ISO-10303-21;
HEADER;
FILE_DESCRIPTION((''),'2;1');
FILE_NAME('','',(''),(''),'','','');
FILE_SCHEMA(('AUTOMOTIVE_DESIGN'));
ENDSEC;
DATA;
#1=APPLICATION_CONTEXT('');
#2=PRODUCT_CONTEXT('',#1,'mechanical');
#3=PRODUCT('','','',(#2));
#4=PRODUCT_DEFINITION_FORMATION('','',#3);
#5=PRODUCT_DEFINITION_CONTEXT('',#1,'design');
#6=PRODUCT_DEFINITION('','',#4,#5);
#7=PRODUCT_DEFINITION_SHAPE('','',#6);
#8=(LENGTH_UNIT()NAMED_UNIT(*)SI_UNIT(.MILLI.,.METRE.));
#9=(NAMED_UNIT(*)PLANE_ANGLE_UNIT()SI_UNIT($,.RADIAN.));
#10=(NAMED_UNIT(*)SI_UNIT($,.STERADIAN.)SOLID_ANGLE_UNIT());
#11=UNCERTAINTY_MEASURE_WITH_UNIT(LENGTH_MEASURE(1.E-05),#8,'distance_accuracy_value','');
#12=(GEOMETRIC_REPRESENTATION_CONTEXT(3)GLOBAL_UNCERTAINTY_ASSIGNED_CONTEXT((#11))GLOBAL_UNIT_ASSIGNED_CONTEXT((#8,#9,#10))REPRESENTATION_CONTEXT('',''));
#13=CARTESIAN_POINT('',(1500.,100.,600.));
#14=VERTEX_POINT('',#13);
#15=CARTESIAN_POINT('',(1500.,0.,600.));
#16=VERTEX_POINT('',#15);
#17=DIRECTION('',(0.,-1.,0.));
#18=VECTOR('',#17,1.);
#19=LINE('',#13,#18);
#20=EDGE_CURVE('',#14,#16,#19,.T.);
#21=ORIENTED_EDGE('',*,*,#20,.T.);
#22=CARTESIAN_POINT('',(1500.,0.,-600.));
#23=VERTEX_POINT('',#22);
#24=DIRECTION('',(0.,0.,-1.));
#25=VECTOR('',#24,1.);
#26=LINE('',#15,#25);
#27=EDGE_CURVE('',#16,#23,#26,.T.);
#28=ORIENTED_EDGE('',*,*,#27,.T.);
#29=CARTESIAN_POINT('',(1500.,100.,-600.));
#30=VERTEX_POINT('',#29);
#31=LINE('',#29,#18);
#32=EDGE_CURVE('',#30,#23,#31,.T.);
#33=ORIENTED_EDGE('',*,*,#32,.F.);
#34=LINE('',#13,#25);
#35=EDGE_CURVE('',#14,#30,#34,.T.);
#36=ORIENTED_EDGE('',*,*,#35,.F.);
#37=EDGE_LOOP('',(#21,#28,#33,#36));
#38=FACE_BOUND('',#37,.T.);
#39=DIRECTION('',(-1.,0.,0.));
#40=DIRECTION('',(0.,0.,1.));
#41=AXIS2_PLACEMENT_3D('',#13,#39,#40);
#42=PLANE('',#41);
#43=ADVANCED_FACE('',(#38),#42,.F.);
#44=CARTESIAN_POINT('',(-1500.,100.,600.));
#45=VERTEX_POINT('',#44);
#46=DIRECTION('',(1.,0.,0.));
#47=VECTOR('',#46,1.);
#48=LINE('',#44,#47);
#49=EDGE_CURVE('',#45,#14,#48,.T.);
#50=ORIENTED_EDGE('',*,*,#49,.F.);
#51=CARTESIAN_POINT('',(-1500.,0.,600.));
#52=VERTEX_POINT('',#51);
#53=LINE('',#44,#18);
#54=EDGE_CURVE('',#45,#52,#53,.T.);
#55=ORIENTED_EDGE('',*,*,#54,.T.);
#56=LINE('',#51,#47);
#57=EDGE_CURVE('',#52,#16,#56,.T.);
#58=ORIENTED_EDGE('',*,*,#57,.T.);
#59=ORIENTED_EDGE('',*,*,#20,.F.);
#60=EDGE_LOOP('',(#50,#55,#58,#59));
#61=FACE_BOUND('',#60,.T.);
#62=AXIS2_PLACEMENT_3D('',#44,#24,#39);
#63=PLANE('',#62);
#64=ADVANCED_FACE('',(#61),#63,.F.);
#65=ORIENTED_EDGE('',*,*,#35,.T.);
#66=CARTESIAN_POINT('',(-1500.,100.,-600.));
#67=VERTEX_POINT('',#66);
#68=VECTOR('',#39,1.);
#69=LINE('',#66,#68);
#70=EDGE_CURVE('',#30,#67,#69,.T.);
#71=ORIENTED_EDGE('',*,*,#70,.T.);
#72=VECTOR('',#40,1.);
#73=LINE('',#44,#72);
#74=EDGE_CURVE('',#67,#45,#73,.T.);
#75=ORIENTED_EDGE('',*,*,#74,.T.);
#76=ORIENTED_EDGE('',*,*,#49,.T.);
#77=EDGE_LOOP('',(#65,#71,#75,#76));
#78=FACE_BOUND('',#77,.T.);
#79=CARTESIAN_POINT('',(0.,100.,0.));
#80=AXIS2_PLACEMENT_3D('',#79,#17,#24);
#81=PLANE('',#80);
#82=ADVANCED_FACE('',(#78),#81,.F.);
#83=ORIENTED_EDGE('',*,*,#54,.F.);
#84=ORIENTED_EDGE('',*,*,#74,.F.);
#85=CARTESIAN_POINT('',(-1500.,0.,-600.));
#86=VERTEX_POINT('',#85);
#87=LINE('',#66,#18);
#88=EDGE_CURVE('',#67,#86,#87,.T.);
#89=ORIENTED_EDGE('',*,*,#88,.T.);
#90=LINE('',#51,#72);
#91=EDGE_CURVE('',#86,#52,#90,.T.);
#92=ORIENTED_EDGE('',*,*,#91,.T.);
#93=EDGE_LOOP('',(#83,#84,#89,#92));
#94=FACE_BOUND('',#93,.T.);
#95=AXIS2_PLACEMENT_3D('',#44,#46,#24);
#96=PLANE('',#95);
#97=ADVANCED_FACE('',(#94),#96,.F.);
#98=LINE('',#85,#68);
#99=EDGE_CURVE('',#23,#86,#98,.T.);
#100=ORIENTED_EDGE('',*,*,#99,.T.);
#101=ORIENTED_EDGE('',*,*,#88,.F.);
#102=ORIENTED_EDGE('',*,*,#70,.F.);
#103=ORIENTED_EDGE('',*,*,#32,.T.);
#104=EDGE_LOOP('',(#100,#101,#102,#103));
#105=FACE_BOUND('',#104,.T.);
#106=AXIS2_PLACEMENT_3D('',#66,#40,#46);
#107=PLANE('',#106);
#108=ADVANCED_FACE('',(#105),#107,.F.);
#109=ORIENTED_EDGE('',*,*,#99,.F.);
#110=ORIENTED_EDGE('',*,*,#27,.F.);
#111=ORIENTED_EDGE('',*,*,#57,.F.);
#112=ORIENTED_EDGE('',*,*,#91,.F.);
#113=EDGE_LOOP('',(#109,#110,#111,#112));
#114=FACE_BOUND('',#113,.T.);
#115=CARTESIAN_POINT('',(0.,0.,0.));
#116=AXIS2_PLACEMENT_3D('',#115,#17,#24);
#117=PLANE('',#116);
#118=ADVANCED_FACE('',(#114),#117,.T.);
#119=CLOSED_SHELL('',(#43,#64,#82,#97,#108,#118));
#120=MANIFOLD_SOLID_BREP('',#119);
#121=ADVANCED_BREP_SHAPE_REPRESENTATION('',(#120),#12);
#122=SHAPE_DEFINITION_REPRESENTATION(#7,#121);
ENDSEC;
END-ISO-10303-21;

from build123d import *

# Parameters (mm, degrees)
SZKIC1_W                    = 3000
SZKIC1_H                    = 1200
DODANIE_WYCI_GNI_CIE1_DEPTH = 100


with BuildPart() as part:
    # Szkic1 → Dodanie-wyciągnięcie1 (new body)
    with BuildSketch(Plane(origin=(0, 0, 0), x_dir=(1, 0, 0), z_dir=(0, 1, 0))):
        Rectangle(SZKIC1_W, SZKIC1_H)
    extrude(amount=DODANIE_WYCI_GNI_CIE1_DEPTH)


solid = part.part
